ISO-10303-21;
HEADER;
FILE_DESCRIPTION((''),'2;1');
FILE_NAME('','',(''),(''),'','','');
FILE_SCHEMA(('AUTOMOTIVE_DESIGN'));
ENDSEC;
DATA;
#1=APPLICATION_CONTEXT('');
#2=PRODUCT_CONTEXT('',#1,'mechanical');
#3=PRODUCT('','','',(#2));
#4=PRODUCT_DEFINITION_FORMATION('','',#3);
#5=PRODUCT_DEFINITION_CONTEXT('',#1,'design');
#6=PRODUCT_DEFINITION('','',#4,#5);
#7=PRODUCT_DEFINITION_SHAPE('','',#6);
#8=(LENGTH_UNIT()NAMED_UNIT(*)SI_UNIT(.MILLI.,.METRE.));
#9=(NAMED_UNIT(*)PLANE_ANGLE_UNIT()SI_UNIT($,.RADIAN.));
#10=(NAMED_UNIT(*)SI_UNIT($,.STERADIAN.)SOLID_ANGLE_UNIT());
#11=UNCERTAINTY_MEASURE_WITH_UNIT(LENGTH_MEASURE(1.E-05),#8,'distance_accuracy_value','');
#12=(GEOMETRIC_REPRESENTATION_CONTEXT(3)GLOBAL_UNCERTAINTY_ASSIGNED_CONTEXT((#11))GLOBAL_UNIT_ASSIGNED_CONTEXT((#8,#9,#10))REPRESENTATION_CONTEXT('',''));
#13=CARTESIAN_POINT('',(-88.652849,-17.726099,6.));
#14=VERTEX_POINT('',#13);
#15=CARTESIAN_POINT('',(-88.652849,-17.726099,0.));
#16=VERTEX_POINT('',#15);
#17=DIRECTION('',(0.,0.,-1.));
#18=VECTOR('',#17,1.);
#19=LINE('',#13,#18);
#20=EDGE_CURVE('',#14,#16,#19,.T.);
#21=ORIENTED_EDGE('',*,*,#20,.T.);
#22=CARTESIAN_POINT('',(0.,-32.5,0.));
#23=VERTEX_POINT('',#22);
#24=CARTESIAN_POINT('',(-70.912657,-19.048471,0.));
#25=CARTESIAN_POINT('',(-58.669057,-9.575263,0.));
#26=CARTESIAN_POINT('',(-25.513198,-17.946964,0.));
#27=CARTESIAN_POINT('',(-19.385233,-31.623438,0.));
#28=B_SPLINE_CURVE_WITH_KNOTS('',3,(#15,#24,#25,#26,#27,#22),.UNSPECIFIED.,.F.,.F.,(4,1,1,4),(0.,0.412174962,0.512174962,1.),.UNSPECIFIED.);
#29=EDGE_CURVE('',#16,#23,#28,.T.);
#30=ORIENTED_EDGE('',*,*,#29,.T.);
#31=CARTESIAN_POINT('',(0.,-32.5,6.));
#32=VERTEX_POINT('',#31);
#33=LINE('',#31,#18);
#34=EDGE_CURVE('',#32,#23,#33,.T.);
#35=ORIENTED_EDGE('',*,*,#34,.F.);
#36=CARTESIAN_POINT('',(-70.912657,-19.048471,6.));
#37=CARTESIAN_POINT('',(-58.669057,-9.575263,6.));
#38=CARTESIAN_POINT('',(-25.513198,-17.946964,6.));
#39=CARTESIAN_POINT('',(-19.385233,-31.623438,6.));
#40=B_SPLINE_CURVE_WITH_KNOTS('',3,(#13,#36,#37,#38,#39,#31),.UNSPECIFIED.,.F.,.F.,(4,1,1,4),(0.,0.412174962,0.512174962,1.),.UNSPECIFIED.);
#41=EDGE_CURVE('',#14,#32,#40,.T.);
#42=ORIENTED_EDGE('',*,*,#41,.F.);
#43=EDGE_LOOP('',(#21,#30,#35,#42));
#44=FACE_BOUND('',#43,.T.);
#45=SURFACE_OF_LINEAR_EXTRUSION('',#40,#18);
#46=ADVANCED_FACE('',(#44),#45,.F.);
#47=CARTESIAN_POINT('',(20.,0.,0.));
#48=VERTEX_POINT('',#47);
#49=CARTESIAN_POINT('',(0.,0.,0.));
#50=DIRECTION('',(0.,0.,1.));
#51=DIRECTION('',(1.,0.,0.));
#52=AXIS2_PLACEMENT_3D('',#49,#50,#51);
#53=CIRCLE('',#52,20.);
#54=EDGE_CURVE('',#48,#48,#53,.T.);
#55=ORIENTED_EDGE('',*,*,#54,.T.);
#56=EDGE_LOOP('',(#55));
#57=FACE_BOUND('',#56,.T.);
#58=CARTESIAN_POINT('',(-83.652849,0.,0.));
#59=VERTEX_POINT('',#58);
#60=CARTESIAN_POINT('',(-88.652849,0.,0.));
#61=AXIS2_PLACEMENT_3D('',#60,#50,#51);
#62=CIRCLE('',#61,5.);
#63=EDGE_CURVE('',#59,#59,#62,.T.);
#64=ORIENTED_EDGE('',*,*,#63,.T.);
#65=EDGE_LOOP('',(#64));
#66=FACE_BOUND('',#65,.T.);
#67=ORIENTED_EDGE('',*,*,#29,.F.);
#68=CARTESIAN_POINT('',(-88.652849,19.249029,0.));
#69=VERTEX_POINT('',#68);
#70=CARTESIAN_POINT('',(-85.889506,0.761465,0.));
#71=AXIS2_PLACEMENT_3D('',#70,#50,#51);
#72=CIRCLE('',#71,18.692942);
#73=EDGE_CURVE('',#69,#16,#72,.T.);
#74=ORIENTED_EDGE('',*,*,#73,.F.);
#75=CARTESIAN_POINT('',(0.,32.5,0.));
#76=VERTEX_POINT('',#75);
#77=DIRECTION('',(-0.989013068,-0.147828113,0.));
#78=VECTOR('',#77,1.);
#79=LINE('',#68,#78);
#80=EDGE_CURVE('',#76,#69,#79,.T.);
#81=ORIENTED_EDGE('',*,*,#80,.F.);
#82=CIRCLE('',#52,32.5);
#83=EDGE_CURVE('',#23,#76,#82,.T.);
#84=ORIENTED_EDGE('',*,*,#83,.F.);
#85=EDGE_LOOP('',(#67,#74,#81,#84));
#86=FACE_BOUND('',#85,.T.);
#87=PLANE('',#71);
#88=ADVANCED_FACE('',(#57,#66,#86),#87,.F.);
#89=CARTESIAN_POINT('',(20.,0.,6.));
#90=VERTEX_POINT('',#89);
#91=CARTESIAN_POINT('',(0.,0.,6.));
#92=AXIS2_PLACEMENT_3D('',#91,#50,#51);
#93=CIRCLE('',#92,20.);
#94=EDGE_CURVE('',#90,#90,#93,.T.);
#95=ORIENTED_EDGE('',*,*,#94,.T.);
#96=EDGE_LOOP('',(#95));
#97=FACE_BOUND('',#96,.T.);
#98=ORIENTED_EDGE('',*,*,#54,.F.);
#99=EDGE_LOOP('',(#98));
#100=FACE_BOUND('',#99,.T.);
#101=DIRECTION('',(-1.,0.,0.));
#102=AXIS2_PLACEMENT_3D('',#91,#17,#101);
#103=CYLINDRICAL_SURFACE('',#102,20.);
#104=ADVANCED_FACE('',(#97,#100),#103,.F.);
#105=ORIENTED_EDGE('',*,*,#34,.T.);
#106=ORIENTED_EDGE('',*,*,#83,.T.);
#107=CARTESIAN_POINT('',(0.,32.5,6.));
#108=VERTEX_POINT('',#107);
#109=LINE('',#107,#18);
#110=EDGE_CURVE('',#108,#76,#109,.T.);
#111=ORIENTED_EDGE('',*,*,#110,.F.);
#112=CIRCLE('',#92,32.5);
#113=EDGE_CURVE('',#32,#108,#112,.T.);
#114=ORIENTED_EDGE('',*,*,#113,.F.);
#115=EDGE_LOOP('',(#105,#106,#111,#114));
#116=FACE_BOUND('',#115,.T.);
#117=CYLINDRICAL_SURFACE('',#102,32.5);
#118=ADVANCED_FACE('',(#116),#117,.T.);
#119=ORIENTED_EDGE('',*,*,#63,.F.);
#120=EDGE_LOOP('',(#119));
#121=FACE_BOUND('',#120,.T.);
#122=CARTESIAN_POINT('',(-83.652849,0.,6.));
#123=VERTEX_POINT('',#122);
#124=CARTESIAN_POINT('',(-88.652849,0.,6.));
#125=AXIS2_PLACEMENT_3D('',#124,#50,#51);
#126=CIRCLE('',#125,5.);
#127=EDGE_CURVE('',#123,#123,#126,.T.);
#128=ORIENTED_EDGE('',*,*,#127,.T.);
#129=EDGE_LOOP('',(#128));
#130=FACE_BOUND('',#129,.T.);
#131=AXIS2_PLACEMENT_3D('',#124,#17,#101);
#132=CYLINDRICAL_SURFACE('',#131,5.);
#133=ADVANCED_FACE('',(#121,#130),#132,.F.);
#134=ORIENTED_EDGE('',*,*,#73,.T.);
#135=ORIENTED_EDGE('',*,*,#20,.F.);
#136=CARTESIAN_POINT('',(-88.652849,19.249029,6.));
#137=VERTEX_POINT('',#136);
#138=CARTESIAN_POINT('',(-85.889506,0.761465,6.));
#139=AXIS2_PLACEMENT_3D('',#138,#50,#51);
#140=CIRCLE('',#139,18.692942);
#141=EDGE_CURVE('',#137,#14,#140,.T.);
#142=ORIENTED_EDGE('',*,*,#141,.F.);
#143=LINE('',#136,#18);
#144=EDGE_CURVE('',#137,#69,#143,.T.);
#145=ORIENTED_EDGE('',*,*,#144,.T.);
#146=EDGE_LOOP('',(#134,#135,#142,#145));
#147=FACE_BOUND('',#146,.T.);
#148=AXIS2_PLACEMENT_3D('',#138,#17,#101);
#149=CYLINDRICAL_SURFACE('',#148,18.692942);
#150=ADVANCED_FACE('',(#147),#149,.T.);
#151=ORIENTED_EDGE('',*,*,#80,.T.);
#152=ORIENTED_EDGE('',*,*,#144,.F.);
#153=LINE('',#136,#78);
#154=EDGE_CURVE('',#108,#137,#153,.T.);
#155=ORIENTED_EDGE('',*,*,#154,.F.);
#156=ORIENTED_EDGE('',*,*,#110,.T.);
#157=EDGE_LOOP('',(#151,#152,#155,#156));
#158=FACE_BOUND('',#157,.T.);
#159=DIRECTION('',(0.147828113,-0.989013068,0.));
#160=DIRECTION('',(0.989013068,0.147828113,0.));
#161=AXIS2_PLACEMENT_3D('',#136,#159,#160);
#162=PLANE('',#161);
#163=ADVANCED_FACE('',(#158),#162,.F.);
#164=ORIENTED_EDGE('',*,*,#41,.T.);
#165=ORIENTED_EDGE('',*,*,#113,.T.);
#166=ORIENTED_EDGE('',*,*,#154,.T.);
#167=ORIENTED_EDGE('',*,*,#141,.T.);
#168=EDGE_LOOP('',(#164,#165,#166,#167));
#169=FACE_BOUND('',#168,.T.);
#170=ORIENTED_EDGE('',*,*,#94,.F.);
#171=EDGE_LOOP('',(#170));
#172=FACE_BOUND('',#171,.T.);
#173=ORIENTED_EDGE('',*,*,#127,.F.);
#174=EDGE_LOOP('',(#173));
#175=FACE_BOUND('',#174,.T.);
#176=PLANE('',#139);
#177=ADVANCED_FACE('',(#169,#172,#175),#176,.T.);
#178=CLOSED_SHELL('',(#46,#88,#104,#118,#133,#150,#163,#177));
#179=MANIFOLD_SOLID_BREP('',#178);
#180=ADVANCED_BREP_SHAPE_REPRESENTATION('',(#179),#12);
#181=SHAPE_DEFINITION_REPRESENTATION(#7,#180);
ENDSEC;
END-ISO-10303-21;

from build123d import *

# Parameters (mm, degrees)
SKETCH_1_R      = 20
SKETCH_1_R_2    = 5
EXTRUDE_1_DEPTH = 6


with BuildPart() as part:
    # Эскиз1 → Вытянуть1 (new body)
    with BuildSketch(Plane.XY):
        with BuildLine():
            Line((-88.652848771, 19.249029144), (0, 32.5))
            ThreePointArc((0, 32.5), (32.5, 0), (0, -32.5))
            add(Edge.make_bspline(
                [(-88.652848771, -17.726099374), (-70.912657014, -19.048471367), (-58.669056624, -9.575263386), (-25.513197615, -17.946964386), (-19.385232924, -31.623438469), (0, -32.5)],
                knots=[0, 0, 0, 0, 0.412174962, 0.512174962, 1, 1, 1, 1], degree=3))
            ThreePointArc((-88.652848771, -17.726099374), (-104.582448721, 0.761464885), (-88.652848771, 19.249029144))
        make_face()
        Circle(SKETCH_1_R, mode=Mode.SUBTRACT)
        with Locations((-88.652848771, 0)):
            Circle(SKETCH_1_R_2, mode=Mode.SUBTRACT)
    extrude(amount=EXTRUDE_1_DEPTH)


solid = part.part
